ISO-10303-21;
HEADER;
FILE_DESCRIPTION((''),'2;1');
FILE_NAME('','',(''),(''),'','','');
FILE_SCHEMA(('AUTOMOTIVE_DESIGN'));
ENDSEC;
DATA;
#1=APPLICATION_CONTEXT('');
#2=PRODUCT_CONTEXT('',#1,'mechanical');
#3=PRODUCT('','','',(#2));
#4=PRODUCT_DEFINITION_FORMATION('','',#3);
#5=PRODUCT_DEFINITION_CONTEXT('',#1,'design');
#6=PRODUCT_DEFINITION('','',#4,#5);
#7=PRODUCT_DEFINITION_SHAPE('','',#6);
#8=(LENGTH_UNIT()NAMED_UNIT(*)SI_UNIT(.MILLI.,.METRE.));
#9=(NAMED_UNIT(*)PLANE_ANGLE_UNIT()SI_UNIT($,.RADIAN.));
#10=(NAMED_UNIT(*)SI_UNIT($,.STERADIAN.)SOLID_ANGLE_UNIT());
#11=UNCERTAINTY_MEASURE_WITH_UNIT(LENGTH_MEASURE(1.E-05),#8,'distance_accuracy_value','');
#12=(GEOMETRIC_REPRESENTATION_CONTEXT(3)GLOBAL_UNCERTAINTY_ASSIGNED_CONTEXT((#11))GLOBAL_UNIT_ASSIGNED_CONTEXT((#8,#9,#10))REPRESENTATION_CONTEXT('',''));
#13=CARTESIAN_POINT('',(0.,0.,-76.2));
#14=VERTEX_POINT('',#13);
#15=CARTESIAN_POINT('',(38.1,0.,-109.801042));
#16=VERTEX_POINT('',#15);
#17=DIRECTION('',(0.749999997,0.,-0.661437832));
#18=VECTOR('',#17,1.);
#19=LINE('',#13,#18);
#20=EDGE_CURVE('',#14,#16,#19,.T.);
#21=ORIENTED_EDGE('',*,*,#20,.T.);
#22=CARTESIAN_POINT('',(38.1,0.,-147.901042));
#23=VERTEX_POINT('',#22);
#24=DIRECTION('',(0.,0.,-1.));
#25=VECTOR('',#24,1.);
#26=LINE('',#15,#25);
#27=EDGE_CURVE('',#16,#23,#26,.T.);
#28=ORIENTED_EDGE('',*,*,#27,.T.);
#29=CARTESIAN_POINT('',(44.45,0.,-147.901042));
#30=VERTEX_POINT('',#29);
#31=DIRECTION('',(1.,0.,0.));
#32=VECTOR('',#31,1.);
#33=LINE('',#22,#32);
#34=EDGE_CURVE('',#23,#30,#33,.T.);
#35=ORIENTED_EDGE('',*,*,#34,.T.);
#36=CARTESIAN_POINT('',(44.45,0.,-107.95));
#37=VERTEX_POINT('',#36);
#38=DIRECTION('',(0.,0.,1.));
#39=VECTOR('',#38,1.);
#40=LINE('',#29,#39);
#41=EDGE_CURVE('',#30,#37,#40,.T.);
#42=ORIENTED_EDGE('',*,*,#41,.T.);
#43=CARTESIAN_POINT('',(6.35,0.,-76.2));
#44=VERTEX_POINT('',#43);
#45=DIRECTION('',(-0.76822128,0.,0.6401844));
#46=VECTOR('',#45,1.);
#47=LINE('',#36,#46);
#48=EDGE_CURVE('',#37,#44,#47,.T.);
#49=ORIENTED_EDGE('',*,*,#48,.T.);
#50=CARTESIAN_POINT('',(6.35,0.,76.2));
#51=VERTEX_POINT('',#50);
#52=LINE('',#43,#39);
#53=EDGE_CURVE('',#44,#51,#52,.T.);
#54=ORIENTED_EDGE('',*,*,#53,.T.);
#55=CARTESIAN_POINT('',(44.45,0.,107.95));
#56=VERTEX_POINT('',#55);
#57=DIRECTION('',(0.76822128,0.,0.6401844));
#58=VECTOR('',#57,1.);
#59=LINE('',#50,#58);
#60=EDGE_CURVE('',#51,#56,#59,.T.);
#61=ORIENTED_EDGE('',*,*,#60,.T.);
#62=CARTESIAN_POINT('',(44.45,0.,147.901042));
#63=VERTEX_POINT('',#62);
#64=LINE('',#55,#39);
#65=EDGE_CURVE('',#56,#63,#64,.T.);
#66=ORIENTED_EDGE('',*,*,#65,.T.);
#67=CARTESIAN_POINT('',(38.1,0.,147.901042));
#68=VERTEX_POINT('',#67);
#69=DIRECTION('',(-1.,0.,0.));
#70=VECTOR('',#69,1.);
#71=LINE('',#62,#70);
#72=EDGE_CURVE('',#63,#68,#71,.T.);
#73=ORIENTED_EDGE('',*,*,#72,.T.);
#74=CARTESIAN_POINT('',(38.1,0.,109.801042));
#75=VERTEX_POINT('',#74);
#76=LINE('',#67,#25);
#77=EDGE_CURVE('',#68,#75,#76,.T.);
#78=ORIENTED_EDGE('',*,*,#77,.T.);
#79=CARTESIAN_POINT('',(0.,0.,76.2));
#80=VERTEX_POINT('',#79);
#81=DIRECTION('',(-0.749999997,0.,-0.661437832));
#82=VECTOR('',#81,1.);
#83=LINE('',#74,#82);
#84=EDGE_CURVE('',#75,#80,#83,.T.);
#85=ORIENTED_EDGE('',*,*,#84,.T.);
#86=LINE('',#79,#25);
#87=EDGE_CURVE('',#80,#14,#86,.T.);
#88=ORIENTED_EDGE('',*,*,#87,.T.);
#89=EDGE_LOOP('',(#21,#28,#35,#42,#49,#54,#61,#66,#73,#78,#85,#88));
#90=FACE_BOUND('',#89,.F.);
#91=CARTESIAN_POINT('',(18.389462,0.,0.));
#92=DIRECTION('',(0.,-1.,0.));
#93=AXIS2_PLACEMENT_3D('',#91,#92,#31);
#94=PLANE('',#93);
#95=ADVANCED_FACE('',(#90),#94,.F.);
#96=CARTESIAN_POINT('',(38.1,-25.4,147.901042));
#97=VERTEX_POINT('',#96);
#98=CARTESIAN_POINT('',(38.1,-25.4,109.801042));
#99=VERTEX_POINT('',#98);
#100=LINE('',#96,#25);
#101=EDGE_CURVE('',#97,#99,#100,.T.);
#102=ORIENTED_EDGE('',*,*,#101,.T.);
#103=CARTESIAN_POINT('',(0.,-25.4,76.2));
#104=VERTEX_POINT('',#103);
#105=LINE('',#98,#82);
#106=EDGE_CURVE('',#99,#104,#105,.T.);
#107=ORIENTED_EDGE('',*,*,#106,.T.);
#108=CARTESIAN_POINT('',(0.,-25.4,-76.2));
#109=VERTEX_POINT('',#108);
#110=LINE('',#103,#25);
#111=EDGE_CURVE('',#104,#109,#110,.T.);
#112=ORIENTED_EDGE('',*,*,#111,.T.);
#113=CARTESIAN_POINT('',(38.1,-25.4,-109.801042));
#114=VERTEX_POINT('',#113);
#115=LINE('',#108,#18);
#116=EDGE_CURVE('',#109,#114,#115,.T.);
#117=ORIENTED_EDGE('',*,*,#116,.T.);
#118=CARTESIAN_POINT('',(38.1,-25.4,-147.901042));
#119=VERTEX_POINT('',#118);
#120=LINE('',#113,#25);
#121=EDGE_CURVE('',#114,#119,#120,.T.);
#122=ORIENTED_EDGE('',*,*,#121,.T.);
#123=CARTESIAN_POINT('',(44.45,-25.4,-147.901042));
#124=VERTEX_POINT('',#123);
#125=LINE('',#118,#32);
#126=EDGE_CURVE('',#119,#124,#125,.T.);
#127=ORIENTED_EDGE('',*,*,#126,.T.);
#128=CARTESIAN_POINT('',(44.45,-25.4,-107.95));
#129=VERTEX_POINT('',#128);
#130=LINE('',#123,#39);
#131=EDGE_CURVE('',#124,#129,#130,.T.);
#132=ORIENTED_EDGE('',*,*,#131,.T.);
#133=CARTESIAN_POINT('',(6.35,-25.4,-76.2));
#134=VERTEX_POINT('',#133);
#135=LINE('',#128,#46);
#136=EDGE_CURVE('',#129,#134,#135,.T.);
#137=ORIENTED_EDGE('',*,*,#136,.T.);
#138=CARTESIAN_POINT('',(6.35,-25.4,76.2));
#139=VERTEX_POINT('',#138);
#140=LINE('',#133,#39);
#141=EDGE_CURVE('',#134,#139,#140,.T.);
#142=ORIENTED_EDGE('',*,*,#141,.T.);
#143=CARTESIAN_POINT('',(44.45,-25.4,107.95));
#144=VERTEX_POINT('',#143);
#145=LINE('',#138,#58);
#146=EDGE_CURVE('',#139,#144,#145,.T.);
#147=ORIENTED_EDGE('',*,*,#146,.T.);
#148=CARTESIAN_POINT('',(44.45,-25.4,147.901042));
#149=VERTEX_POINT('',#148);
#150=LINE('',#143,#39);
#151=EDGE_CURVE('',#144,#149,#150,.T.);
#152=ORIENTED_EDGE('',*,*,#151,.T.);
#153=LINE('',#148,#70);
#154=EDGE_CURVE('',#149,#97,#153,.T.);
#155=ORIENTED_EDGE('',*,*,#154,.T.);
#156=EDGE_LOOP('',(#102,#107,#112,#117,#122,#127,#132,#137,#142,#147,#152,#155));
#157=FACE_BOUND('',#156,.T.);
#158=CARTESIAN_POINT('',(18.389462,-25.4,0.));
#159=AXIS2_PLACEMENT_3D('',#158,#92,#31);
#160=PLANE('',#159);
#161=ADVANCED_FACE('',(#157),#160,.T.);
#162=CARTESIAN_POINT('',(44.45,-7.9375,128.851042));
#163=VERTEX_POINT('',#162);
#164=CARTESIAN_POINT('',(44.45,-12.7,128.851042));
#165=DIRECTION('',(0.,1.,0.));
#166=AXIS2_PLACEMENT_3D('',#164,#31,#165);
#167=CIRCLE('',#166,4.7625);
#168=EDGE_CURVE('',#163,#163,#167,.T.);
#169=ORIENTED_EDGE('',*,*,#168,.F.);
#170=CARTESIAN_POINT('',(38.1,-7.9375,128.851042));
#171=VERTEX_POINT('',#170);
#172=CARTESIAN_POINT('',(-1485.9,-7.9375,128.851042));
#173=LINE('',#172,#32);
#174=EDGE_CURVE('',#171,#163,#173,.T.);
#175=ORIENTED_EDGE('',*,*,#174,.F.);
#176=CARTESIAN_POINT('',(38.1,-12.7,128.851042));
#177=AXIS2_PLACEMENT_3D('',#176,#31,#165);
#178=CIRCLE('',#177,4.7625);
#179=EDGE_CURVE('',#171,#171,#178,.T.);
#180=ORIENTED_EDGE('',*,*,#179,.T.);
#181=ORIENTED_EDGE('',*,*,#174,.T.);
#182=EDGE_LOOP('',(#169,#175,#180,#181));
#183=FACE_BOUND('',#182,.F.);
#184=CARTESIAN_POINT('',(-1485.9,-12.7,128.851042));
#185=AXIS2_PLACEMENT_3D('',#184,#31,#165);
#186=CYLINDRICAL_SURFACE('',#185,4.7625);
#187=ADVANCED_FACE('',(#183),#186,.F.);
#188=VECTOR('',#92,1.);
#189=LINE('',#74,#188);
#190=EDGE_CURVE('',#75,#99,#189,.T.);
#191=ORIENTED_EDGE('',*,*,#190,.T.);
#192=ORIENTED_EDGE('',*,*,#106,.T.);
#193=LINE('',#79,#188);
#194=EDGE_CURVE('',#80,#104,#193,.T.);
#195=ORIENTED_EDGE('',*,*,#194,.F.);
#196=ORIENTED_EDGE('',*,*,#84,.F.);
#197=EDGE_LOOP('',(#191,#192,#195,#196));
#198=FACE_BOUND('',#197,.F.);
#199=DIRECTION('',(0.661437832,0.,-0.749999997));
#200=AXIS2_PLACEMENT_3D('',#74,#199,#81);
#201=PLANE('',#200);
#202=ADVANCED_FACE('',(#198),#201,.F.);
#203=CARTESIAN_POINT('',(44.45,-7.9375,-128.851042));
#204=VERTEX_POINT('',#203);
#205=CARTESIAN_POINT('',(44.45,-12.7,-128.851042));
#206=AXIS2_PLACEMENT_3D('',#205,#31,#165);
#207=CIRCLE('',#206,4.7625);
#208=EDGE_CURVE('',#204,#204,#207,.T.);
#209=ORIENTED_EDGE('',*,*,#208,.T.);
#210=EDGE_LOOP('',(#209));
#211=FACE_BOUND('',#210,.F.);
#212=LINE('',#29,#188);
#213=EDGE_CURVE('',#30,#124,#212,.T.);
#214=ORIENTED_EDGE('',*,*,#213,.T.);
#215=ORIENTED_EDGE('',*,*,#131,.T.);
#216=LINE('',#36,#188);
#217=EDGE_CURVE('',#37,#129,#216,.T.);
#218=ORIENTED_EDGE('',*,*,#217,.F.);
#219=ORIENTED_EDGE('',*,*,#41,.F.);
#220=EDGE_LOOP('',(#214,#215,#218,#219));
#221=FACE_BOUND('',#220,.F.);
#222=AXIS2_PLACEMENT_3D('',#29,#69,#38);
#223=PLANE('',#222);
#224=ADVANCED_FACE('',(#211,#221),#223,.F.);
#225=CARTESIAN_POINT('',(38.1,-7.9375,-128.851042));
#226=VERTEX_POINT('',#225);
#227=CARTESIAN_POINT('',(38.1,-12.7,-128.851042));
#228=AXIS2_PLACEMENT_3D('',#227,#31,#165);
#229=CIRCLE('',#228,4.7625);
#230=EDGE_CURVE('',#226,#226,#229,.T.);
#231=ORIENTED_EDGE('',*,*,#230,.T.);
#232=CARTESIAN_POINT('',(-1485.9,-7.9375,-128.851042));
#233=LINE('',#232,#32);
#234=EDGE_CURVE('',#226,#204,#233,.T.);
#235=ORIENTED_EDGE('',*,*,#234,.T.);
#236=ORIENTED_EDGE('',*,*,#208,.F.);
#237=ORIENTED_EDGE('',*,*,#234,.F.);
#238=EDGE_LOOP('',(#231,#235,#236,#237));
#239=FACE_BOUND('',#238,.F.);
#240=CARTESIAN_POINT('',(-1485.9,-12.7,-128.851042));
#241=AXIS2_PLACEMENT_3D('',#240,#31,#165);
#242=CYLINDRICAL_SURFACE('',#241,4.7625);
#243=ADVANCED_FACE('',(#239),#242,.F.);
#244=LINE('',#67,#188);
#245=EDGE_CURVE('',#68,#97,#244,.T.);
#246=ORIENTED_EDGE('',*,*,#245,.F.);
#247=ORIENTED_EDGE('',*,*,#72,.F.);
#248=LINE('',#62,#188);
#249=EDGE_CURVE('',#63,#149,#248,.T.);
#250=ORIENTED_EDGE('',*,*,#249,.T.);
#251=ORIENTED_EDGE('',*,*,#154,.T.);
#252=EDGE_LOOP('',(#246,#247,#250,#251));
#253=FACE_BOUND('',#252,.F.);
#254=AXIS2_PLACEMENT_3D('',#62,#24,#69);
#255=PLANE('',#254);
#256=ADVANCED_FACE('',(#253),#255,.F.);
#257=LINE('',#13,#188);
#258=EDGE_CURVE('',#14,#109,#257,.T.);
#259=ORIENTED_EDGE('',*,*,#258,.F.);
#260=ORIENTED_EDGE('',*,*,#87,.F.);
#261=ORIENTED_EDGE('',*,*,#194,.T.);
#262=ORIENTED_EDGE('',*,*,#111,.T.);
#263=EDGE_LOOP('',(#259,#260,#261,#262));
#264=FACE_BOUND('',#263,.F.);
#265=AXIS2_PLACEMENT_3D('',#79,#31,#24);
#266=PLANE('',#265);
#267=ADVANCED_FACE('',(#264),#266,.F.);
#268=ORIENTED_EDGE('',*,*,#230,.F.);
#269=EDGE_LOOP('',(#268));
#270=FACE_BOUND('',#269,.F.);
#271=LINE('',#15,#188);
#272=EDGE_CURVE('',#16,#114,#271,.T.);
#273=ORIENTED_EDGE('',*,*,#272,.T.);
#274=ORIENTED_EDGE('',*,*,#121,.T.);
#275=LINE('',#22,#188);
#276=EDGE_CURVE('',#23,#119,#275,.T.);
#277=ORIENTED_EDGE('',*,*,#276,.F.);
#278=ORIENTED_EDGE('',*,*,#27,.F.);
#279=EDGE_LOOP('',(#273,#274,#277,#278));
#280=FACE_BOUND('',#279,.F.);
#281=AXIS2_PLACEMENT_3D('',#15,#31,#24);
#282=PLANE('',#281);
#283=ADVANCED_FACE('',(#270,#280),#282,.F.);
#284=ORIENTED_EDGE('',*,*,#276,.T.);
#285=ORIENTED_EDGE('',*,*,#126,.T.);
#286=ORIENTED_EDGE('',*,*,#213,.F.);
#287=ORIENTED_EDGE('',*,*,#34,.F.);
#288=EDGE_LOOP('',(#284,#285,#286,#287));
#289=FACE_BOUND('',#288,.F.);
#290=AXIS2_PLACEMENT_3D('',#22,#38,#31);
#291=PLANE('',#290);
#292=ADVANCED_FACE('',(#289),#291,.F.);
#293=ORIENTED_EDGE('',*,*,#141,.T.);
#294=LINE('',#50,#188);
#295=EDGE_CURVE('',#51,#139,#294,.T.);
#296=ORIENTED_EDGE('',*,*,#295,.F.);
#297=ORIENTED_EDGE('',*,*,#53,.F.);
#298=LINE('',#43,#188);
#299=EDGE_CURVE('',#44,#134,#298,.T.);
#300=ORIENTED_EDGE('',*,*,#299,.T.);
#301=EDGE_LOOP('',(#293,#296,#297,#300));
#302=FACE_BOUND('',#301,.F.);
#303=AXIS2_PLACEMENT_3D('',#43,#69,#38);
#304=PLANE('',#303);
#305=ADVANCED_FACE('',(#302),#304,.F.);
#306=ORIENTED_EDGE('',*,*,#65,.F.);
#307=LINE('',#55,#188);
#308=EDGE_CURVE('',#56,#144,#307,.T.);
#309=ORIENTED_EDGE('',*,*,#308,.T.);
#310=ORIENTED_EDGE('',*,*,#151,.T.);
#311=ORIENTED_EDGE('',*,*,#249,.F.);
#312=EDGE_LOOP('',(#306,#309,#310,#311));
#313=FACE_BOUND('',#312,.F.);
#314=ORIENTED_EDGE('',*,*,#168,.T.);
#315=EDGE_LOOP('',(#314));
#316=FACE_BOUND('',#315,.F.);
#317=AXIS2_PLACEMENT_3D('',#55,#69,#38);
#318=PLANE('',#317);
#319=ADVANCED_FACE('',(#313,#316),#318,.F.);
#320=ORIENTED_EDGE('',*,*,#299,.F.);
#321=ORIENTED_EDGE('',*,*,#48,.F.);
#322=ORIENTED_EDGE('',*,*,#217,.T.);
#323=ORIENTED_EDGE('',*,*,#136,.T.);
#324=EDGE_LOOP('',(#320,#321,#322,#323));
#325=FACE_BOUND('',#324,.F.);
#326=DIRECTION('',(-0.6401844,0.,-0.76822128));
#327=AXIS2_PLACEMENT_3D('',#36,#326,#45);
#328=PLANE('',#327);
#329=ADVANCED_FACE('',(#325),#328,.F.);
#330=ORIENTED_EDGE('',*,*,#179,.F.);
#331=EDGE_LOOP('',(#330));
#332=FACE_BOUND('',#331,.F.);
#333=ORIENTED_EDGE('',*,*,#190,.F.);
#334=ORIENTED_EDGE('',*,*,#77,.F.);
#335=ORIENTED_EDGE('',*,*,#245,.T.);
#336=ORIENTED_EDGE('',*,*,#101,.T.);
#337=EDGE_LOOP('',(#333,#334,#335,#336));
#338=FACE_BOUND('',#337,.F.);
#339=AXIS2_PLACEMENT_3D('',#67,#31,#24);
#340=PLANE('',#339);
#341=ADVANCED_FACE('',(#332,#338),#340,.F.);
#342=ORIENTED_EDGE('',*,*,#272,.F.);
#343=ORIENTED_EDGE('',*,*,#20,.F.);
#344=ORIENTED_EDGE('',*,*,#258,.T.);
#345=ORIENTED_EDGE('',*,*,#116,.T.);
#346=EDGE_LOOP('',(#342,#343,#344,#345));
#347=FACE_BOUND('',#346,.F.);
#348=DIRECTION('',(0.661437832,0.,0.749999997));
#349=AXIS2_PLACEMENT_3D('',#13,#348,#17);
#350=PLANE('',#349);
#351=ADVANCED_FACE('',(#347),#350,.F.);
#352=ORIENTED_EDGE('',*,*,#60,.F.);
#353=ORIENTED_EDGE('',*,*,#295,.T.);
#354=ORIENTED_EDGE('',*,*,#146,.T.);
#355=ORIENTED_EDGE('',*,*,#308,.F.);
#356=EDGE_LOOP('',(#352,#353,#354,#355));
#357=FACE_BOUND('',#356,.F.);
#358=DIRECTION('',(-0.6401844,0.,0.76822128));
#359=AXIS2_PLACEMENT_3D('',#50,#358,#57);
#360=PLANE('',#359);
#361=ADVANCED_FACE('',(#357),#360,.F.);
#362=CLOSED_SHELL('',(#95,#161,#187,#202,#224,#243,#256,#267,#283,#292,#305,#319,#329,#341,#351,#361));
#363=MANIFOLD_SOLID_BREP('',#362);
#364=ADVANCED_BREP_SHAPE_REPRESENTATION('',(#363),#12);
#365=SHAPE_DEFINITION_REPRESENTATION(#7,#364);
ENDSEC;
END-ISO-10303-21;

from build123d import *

# Parameters (mm, degrees)
F1_DEPTH = 25.4
F3_D     = 9.525
F3_DEPTH = 1524


with BuildPart() as f1:
    # F0 (on Front) → F1 (new body)
    with BuildSketch(Plane.XZ):
        Polygon((0, 76.2), (0, 0), (0, -76.2), (38.1, -109.801042), (38.1, -147.901042), (44.45, -147.901042), (44.45, -107.95), (6.35, -76.2), (6.35, 76.2), (44.45, 107.95), (44.45, 147.901042), (38.1, 147.901042), (38.1, 109.801042), align=None)
    extrude(amount=F1_DEPTH)

    # F3
    with Locations(Plane(origin=(38.1, 0, 0), x_dir=(0, -1, 0), z_dir=(-1, 0, 0))):
        with Locations((12.7, 128.851042), (12.7, -128.851042)):
            Hole(F3_D / 2, depth=F3_DEPTH)


solid = f1.part
